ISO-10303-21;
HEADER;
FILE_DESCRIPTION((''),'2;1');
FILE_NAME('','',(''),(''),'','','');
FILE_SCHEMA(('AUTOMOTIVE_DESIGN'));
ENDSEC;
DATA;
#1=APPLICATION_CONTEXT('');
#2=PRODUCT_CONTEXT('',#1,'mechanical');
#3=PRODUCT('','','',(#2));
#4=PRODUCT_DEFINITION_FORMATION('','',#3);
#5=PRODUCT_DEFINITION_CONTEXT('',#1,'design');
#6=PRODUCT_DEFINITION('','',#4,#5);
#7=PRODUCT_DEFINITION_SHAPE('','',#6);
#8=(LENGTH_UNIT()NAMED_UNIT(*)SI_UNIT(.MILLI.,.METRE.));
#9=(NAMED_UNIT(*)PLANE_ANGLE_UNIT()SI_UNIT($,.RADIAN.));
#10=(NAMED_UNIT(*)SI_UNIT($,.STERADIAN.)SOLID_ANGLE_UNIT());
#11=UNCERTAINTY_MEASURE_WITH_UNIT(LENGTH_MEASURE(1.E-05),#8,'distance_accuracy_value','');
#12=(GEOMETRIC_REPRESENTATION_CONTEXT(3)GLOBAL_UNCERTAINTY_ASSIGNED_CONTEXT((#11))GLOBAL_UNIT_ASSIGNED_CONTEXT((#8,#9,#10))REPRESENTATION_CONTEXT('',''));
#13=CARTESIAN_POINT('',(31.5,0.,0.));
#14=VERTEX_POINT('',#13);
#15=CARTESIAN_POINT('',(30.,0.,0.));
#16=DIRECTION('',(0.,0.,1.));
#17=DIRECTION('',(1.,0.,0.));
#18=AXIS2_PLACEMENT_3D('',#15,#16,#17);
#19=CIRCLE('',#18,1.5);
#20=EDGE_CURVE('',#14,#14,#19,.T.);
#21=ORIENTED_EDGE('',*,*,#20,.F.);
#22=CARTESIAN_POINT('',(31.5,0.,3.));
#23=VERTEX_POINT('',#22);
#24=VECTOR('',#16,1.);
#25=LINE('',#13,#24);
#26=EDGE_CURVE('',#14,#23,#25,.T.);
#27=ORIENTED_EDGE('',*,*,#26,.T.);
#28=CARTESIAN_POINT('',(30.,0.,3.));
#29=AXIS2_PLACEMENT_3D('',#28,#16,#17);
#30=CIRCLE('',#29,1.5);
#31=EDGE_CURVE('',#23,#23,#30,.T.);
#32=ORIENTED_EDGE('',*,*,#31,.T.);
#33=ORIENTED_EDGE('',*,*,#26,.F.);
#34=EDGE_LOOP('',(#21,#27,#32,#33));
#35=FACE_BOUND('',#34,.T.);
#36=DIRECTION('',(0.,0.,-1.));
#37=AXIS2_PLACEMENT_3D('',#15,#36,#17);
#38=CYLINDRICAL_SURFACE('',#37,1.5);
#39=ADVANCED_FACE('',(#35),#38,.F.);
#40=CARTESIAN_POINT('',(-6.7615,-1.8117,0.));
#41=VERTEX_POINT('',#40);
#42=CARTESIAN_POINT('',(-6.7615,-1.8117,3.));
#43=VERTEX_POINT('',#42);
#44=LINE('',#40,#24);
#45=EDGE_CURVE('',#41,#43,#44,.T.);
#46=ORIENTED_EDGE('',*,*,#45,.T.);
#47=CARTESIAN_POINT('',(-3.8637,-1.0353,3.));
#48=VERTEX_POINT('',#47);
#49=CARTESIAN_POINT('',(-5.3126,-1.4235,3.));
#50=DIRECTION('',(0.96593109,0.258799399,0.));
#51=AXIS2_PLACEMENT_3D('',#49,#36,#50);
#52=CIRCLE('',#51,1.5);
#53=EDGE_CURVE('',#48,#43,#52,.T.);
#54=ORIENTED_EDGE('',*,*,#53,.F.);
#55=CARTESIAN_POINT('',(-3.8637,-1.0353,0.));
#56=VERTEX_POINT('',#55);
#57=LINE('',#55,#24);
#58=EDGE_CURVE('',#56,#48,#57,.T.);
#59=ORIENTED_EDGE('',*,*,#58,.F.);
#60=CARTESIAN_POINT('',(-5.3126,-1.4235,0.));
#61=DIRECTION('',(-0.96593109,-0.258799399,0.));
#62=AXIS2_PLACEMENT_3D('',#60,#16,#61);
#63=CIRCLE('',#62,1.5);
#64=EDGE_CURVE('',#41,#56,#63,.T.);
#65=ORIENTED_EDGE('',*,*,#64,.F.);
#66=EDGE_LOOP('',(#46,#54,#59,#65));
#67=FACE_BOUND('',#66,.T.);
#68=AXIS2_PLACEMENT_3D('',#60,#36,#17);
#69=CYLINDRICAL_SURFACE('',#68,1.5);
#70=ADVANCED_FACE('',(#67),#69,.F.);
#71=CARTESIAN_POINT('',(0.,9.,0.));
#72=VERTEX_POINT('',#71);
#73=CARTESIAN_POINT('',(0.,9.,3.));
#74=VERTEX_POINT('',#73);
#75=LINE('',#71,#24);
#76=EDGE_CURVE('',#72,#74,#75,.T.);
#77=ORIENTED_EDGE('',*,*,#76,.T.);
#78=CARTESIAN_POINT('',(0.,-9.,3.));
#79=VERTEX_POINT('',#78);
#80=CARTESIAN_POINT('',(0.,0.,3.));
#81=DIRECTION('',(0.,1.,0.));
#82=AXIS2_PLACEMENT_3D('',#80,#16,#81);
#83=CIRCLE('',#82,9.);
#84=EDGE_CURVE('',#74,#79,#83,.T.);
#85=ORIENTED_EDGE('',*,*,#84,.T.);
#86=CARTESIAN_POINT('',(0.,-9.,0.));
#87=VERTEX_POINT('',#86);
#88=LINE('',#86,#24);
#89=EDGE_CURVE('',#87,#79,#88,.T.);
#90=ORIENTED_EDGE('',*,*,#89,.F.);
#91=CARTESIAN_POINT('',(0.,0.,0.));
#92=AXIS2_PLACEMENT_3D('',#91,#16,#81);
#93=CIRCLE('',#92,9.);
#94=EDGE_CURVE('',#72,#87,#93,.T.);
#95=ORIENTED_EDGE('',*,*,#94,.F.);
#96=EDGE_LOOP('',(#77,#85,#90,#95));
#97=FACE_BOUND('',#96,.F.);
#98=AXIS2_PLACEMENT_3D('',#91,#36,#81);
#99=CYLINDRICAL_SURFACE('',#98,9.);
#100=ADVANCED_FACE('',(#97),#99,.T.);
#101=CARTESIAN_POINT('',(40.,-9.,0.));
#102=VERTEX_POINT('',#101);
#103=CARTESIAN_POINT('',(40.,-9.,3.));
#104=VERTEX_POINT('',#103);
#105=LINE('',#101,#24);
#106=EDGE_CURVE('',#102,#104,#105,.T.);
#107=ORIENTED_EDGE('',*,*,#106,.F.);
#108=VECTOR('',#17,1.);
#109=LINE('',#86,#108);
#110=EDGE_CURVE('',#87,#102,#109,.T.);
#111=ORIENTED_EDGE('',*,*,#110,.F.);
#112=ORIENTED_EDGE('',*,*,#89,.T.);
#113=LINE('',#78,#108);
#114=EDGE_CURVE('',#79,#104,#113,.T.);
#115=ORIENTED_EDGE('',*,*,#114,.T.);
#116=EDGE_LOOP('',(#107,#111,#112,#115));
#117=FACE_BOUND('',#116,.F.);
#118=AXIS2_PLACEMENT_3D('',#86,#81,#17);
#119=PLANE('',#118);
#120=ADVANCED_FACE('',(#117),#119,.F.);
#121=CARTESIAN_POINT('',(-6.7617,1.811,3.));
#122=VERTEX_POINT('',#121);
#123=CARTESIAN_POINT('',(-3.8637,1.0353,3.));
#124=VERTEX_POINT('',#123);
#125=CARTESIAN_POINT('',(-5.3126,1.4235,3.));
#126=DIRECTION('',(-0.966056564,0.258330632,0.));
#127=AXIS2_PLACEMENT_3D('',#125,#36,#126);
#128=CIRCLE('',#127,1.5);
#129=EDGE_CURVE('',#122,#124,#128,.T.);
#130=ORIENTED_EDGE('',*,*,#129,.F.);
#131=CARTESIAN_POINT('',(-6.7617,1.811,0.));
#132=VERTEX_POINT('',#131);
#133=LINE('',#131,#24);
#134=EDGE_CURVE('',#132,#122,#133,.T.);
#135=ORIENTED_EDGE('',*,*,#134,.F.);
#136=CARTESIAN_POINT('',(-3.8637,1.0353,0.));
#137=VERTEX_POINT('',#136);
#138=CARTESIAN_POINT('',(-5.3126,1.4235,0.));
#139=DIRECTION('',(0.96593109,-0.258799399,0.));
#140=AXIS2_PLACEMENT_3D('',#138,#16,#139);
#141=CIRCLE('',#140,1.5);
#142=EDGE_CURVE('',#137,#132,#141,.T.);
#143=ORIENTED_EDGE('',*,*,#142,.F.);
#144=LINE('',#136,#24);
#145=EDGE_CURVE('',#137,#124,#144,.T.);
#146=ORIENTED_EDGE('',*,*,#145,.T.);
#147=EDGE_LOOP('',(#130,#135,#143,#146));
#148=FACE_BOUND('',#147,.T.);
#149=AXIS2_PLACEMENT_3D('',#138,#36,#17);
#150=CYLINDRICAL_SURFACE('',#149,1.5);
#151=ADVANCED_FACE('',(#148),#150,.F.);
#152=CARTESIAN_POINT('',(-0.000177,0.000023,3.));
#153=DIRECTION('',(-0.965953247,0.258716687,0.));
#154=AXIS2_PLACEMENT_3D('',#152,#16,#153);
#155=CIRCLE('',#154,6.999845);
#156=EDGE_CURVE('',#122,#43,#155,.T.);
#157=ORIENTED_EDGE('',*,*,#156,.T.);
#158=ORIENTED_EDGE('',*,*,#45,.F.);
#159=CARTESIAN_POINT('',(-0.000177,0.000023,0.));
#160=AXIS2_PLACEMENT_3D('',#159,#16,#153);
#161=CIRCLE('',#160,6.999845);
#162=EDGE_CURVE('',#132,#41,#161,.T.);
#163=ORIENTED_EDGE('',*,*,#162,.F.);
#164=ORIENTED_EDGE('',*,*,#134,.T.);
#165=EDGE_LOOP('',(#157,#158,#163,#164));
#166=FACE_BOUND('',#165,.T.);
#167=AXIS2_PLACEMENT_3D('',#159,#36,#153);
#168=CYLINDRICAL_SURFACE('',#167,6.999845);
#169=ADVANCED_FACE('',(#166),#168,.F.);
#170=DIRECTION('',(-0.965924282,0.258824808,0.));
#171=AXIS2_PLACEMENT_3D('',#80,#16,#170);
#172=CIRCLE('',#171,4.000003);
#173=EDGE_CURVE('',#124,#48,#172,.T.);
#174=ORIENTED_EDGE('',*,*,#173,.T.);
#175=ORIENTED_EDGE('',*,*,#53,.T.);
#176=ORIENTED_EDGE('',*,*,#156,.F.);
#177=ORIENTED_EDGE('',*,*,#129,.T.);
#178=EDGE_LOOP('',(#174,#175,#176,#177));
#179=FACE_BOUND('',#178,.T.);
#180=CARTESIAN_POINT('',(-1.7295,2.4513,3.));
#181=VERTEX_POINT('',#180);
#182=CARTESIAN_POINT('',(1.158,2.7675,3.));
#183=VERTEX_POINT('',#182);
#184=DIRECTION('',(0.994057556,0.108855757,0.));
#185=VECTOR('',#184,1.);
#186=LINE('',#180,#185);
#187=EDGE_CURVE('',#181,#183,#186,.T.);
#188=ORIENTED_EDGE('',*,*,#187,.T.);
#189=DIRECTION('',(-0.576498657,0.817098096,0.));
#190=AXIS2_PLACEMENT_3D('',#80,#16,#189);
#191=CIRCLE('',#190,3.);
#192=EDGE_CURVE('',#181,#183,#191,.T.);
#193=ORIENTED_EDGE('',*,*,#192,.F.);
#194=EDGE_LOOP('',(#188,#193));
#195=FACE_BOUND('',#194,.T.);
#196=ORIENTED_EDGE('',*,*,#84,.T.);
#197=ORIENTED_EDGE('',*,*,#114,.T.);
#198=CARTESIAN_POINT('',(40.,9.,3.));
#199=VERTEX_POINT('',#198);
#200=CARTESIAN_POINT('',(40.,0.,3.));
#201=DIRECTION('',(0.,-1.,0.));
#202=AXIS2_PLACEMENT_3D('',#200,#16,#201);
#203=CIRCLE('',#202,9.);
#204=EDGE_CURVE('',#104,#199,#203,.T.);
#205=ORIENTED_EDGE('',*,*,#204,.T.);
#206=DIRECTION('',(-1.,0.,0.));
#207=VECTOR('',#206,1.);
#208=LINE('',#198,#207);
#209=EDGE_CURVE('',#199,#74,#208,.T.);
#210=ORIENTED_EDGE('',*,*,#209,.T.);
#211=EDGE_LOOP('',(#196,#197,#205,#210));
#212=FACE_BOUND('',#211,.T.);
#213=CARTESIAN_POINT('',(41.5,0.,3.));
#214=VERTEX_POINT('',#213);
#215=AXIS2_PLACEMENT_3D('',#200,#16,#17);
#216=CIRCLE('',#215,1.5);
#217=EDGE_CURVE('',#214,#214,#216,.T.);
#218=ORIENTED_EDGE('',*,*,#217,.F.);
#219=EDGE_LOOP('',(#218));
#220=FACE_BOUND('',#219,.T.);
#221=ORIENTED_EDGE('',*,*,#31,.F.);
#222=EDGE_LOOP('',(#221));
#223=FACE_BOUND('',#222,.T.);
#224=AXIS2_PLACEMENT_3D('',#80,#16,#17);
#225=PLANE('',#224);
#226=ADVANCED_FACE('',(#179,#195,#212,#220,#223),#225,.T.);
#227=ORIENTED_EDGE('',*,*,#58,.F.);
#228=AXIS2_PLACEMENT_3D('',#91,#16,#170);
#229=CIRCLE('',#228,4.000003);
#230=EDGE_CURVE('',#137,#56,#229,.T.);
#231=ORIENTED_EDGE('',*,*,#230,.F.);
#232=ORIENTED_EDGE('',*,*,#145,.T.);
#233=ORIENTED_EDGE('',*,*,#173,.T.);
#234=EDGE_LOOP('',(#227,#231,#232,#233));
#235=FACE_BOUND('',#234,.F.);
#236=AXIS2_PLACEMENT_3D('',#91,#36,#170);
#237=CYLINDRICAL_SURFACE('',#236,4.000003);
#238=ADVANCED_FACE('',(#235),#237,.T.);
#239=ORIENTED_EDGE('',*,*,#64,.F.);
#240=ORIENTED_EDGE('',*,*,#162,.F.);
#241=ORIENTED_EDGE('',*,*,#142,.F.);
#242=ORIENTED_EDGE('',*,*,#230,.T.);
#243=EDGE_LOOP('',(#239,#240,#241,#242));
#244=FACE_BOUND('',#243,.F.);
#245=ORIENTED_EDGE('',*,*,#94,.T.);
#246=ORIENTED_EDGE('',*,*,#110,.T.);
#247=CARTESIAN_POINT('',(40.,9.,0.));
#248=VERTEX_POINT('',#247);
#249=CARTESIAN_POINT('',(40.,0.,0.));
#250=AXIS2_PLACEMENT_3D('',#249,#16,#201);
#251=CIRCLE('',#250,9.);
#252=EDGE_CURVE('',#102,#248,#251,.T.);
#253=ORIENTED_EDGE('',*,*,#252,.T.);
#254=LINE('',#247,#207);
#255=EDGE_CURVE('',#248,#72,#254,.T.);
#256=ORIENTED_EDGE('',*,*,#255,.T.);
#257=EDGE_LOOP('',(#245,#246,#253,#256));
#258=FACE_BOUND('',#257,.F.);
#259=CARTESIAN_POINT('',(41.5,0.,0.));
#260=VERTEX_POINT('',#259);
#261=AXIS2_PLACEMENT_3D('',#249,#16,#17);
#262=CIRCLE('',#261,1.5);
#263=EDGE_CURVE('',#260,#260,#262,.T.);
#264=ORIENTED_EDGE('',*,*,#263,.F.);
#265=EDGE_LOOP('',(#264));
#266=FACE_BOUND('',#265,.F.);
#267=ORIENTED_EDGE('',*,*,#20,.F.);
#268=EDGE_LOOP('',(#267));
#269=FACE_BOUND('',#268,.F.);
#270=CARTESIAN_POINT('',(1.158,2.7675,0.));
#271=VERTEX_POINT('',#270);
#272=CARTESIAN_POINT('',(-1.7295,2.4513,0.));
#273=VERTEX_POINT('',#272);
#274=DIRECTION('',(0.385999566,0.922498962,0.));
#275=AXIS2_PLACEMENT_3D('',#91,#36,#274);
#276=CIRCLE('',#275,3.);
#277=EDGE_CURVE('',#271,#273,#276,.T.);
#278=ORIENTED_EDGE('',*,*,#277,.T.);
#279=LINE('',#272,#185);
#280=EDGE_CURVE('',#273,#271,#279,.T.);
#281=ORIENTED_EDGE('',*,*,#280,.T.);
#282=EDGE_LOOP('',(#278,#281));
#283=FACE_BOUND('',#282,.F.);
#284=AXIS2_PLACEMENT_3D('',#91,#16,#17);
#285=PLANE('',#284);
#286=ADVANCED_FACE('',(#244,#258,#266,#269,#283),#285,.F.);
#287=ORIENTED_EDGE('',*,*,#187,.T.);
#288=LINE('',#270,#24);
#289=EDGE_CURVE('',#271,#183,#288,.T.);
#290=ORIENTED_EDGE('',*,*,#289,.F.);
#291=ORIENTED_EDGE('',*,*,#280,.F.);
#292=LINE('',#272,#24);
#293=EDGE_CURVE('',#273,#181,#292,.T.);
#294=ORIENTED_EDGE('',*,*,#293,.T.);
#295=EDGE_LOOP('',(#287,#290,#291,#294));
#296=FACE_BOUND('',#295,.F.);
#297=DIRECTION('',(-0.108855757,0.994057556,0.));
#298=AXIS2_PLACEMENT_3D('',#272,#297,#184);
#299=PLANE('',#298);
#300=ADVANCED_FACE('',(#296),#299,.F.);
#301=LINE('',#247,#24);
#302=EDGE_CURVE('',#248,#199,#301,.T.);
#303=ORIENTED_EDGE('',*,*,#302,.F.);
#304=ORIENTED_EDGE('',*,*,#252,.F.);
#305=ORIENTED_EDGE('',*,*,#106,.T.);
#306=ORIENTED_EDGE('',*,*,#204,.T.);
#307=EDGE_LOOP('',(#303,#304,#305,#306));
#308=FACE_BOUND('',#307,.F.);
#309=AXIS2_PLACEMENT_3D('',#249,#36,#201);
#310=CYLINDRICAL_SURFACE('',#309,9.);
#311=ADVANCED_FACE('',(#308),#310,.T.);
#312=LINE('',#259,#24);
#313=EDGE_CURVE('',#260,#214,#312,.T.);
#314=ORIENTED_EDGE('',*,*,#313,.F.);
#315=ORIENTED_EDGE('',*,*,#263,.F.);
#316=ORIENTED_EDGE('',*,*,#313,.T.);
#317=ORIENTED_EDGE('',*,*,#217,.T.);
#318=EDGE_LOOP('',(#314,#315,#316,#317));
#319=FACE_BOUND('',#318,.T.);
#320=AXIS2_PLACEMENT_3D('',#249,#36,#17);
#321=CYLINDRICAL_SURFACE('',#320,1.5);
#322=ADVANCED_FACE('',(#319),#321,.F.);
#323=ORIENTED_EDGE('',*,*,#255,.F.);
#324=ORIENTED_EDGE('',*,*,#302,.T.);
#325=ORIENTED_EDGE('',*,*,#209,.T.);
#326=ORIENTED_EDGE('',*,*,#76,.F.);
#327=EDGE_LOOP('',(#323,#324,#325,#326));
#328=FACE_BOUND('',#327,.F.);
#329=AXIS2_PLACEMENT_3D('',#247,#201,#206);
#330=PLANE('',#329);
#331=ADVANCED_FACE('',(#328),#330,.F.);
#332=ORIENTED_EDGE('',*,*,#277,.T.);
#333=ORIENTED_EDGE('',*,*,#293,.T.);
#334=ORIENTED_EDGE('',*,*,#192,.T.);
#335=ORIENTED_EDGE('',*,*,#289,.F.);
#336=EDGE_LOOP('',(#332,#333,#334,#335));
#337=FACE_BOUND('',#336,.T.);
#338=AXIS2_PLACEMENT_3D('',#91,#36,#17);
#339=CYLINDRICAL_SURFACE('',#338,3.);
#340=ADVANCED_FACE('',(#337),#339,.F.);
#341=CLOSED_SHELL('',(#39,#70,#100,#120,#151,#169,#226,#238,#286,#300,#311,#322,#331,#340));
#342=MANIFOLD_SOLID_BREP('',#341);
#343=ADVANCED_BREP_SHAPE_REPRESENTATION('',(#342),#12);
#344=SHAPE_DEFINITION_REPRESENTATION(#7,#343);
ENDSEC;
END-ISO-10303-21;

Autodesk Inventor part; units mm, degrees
ref_plane "YZ Plane" through (0, 0, 0) normal (1, 0, 0) x (0, 1, 0)
ref_plane "XZ Plane" through (0, 0, 0) normal (0, 1, 0) x (-1, 0, 0)
ref_plane "XY Plane" through (0, 0, 0) normal (0, 0, 1) x (1, 0, 0)
sketch "Sketch1" plane through (0, 0, 0) normal (0, 0, 1) x (1, 0, 0)
  circle A0 centre (0, 0) radius 3
  line L0 (0, 0) -> (40, 0) construction
  line L1 (0, -9) -> (40, -9)
  line L2 (40, 9) -> (0, 9)
  arc A1 (0, 9) -> (0, -9) centre (0, 0) ccw
  arc A2 (40, -9) -> (40, 9) centre (40, 0) ccw
  line L3 (0, 0) -> (40, 0) construction
  circle A3 centre (40, 0) radius 1.5
  circle A4 centre (30, 0) radius 1.5
  circle A5 centre (-5.3126, -1.4235) radius 1.5
  circle A6 centre (-5.3126, 1.4235) radius 1.5
  line L4 (0, 0) -> (-5.3126, 1.4235) construction
  line L5 (0, 0) -> (-5.3126, -1.4235) construction
  line L6 (0, 0) -> (-9, 0) construction
  arc A7 (-3.8637, 1.0353) -> (-3.8637, -1.0353) centre (0, 0) ccw
  arc A8 (-6.7617, 1.811) -> (-6.7615, -1.8117) centre (0, 0) ccw
  line L7 (-1.7295, 2.4513) -> (1.158, 2.7675)
  point P0 (20, 0)
  dimension "d0" = 6
  dimension "d1" = 40
  dimension "d2" = 0
  dimension "d3" = 18
  dimension "d4" = 3
  dimension "d5" = 3
  dimension "d6" = 10
  dimension "d7" = 3
  dimension "d8" = 3
  dimension "d9" = 15
  dimension "d10" = 15
  dimension "d11" = 5.5
  dimension "d12" = 5.5
  dimension "d15" = 2.625
  dimension "d16" = -6.25
extrude "Extrusion1" add sketch "Sketch1" along normal blind 3 contours L7 A0 | A1 L2 A2 L1 picked at (-0.5912, 2.6558)
properties part number "Arm2" material "Aluminum 6061, Welded"
